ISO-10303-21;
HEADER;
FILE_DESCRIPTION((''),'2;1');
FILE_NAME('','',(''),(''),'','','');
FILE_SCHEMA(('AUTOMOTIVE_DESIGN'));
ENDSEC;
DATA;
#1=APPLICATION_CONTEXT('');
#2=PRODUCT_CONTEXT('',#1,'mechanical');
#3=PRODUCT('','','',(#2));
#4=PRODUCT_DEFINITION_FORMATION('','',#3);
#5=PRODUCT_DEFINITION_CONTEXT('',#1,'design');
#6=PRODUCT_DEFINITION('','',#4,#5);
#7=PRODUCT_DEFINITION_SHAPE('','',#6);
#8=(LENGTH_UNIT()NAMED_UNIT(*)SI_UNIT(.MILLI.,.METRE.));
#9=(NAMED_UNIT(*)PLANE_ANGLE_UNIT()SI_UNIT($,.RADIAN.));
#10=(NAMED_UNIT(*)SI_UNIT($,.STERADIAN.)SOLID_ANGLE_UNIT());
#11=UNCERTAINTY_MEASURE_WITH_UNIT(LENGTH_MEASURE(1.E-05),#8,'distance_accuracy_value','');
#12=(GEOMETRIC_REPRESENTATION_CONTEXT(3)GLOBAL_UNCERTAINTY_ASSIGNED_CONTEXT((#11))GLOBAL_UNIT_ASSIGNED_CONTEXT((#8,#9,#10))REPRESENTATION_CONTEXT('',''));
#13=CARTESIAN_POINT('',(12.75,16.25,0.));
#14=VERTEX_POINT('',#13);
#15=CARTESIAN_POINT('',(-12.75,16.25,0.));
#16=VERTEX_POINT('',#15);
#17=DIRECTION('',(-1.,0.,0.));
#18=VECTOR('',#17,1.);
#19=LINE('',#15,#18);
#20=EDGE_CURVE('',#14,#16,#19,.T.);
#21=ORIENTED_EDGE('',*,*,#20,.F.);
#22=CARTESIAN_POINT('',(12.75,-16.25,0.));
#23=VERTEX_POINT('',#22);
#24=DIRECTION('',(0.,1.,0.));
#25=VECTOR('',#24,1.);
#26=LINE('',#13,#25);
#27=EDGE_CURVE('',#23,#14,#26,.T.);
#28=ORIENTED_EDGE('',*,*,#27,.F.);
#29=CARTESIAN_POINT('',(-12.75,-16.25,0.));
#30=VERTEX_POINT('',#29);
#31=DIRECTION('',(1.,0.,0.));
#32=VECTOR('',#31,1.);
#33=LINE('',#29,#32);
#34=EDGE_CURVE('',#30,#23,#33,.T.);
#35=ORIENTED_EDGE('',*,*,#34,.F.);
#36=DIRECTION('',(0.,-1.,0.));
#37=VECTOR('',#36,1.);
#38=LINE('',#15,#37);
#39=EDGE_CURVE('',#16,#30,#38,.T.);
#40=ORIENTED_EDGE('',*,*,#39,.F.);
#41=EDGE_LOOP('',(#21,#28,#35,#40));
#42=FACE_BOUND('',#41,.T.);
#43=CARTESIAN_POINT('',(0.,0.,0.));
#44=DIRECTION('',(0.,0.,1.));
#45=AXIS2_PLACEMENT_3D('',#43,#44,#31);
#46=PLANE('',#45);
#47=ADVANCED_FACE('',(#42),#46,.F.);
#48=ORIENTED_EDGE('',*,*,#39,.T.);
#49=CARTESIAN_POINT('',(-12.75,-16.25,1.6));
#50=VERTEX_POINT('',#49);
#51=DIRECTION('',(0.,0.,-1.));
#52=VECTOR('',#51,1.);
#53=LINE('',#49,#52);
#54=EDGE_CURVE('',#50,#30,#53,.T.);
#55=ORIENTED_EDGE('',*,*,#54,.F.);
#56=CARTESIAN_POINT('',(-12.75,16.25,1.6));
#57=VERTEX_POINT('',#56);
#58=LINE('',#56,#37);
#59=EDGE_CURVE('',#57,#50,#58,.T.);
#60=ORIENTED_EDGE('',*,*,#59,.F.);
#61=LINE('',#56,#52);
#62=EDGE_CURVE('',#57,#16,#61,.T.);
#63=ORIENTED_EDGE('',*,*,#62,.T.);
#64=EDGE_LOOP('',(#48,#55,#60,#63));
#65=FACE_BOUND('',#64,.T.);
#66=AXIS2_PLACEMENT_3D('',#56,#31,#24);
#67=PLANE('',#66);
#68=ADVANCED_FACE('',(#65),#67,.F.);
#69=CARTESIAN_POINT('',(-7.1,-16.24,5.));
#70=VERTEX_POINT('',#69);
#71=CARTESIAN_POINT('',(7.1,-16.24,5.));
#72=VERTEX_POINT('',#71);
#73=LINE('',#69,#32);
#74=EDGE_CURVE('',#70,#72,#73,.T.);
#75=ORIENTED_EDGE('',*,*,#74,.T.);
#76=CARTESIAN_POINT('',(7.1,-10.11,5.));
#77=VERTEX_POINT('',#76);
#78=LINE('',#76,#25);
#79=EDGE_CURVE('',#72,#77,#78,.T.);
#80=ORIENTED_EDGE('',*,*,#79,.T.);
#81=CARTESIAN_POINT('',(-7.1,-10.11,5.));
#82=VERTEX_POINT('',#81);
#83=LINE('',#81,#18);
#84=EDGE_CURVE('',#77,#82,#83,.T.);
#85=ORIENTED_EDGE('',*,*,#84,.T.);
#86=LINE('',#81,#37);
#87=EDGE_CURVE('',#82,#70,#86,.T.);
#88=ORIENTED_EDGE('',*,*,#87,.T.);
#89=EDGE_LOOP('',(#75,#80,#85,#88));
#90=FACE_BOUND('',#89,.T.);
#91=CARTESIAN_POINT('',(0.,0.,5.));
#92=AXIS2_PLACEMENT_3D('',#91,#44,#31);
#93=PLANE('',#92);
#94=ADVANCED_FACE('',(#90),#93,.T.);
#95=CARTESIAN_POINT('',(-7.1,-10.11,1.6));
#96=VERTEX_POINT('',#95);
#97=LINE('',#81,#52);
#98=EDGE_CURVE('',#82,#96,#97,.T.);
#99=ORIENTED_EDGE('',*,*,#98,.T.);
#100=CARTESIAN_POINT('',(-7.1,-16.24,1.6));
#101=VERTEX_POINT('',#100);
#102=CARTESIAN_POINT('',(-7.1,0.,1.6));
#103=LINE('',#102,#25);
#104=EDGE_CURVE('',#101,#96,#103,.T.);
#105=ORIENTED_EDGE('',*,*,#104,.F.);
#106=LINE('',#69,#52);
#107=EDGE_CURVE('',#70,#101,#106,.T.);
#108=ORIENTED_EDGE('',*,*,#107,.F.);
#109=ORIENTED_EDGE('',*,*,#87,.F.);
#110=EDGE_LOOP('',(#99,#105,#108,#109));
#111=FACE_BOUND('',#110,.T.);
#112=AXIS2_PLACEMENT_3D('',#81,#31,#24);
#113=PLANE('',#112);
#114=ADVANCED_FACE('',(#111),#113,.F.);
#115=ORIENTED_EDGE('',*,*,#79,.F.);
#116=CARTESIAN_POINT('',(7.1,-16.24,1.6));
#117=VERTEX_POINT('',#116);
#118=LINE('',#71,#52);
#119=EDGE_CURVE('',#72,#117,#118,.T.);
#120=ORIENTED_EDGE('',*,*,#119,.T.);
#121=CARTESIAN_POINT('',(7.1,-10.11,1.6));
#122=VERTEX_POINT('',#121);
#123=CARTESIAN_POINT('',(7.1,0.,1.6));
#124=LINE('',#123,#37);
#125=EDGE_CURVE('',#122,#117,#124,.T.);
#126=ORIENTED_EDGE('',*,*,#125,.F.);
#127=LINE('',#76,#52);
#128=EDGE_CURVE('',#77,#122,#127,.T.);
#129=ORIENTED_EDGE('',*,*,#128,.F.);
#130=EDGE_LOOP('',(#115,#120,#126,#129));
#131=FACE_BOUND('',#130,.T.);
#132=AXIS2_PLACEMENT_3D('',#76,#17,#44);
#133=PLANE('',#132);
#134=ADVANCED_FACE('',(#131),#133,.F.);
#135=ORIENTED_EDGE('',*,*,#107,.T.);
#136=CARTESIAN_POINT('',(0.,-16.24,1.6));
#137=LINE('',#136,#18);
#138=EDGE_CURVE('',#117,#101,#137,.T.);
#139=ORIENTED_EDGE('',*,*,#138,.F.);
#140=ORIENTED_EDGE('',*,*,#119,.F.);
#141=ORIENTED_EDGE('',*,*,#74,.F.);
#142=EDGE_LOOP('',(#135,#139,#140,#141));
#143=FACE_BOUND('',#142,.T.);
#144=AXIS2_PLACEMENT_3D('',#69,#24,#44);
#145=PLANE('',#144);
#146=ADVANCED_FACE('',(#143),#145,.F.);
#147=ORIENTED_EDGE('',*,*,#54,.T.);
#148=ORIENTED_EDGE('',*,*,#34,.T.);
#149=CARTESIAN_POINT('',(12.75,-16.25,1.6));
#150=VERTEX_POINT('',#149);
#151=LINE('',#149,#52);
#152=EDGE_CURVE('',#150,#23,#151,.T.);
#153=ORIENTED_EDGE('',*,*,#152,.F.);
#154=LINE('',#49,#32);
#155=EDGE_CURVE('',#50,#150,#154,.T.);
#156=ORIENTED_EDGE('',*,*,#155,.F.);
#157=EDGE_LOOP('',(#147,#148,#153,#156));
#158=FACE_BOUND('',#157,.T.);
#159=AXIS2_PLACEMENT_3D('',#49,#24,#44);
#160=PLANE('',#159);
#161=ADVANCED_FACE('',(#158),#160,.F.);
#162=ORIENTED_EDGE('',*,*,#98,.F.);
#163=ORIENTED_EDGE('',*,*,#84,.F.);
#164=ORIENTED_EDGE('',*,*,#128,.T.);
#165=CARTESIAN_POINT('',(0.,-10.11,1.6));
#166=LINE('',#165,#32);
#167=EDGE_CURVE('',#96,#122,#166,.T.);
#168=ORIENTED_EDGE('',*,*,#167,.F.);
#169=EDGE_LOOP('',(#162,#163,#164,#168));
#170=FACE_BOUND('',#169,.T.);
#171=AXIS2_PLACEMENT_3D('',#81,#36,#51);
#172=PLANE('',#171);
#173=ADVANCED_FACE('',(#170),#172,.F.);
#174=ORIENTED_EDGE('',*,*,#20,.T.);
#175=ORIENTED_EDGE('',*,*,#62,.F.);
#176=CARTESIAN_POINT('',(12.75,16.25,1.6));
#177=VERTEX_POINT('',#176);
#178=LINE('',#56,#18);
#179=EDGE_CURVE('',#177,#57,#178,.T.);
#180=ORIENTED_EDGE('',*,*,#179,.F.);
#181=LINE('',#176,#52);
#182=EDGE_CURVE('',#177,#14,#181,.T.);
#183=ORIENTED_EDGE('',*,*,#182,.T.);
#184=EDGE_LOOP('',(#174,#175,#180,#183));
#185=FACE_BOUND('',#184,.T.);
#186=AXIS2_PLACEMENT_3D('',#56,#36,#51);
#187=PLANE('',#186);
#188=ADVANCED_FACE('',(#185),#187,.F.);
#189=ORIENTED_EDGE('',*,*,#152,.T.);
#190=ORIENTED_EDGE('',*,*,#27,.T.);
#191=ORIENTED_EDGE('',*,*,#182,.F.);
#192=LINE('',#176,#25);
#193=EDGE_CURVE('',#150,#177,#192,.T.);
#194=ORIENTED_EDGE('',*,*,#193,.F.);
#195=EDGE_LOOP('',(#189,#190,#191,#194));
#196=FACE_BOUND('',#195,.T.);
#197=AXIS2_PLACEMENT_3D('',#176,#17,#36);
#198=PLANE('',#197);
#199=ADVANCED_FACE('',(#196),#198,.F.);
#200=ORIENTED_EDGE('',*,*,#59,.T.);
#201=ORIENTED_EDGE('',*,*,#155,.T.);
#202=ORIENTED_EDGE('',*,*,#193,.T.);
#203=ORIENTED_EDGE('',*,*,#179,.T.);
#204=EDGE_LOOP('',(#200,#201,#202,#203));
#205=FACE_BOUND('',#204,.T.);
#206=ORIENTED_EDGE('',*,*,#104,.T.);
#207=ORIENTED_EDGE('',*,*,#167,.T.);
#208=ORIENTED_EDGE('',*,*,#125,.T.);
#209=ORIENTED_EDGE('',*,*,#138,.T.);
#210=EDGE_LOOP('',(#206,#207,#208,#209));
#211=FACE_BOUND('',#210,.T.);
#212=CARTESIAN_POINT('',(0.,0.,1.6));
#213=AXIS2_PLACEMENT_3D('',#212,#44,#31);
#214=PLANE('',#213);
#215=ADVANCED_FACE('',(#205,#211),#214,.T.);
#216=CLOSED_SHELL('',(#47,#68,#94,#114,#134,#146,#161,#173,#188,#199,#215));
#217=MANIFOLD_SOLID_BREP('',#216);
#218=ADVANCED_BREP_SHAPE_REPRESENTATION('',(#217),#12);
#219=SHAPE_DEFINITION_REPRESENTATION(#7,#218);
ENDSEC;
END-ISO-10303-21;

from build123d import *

# Parameters (mm, degrees)
SKETCH_1_W      = 25.5
SKETCH_1_H      = 32.5
EXTRUDE_1_DEPTH = 1.6
SKETCH_2_W      = 14.2
SKETCH_2_H      = 6.13
EXTRUDE_3_DEPTH = 5


with BuildPart() as part:
    # 草图1 → 凸台-拉伸1 (new body)
    with BuildSketch(Plane.XY):
        Rectangle(SKETCH_1_W, SKETCH_1_H)
    extrude(amount=EXTRUDE_1_DEPTH)

    # 草图2 → 凸台-拉伸3 (add)
    with BuildSketch(Plane.XY):
        with Locations((0, -13.175)):
            Rectangle(SKETCH_2_W, SKETCH_2_H)
    extrude(amount=EXTRUDE_3_DEPTH)


solid = part.part
